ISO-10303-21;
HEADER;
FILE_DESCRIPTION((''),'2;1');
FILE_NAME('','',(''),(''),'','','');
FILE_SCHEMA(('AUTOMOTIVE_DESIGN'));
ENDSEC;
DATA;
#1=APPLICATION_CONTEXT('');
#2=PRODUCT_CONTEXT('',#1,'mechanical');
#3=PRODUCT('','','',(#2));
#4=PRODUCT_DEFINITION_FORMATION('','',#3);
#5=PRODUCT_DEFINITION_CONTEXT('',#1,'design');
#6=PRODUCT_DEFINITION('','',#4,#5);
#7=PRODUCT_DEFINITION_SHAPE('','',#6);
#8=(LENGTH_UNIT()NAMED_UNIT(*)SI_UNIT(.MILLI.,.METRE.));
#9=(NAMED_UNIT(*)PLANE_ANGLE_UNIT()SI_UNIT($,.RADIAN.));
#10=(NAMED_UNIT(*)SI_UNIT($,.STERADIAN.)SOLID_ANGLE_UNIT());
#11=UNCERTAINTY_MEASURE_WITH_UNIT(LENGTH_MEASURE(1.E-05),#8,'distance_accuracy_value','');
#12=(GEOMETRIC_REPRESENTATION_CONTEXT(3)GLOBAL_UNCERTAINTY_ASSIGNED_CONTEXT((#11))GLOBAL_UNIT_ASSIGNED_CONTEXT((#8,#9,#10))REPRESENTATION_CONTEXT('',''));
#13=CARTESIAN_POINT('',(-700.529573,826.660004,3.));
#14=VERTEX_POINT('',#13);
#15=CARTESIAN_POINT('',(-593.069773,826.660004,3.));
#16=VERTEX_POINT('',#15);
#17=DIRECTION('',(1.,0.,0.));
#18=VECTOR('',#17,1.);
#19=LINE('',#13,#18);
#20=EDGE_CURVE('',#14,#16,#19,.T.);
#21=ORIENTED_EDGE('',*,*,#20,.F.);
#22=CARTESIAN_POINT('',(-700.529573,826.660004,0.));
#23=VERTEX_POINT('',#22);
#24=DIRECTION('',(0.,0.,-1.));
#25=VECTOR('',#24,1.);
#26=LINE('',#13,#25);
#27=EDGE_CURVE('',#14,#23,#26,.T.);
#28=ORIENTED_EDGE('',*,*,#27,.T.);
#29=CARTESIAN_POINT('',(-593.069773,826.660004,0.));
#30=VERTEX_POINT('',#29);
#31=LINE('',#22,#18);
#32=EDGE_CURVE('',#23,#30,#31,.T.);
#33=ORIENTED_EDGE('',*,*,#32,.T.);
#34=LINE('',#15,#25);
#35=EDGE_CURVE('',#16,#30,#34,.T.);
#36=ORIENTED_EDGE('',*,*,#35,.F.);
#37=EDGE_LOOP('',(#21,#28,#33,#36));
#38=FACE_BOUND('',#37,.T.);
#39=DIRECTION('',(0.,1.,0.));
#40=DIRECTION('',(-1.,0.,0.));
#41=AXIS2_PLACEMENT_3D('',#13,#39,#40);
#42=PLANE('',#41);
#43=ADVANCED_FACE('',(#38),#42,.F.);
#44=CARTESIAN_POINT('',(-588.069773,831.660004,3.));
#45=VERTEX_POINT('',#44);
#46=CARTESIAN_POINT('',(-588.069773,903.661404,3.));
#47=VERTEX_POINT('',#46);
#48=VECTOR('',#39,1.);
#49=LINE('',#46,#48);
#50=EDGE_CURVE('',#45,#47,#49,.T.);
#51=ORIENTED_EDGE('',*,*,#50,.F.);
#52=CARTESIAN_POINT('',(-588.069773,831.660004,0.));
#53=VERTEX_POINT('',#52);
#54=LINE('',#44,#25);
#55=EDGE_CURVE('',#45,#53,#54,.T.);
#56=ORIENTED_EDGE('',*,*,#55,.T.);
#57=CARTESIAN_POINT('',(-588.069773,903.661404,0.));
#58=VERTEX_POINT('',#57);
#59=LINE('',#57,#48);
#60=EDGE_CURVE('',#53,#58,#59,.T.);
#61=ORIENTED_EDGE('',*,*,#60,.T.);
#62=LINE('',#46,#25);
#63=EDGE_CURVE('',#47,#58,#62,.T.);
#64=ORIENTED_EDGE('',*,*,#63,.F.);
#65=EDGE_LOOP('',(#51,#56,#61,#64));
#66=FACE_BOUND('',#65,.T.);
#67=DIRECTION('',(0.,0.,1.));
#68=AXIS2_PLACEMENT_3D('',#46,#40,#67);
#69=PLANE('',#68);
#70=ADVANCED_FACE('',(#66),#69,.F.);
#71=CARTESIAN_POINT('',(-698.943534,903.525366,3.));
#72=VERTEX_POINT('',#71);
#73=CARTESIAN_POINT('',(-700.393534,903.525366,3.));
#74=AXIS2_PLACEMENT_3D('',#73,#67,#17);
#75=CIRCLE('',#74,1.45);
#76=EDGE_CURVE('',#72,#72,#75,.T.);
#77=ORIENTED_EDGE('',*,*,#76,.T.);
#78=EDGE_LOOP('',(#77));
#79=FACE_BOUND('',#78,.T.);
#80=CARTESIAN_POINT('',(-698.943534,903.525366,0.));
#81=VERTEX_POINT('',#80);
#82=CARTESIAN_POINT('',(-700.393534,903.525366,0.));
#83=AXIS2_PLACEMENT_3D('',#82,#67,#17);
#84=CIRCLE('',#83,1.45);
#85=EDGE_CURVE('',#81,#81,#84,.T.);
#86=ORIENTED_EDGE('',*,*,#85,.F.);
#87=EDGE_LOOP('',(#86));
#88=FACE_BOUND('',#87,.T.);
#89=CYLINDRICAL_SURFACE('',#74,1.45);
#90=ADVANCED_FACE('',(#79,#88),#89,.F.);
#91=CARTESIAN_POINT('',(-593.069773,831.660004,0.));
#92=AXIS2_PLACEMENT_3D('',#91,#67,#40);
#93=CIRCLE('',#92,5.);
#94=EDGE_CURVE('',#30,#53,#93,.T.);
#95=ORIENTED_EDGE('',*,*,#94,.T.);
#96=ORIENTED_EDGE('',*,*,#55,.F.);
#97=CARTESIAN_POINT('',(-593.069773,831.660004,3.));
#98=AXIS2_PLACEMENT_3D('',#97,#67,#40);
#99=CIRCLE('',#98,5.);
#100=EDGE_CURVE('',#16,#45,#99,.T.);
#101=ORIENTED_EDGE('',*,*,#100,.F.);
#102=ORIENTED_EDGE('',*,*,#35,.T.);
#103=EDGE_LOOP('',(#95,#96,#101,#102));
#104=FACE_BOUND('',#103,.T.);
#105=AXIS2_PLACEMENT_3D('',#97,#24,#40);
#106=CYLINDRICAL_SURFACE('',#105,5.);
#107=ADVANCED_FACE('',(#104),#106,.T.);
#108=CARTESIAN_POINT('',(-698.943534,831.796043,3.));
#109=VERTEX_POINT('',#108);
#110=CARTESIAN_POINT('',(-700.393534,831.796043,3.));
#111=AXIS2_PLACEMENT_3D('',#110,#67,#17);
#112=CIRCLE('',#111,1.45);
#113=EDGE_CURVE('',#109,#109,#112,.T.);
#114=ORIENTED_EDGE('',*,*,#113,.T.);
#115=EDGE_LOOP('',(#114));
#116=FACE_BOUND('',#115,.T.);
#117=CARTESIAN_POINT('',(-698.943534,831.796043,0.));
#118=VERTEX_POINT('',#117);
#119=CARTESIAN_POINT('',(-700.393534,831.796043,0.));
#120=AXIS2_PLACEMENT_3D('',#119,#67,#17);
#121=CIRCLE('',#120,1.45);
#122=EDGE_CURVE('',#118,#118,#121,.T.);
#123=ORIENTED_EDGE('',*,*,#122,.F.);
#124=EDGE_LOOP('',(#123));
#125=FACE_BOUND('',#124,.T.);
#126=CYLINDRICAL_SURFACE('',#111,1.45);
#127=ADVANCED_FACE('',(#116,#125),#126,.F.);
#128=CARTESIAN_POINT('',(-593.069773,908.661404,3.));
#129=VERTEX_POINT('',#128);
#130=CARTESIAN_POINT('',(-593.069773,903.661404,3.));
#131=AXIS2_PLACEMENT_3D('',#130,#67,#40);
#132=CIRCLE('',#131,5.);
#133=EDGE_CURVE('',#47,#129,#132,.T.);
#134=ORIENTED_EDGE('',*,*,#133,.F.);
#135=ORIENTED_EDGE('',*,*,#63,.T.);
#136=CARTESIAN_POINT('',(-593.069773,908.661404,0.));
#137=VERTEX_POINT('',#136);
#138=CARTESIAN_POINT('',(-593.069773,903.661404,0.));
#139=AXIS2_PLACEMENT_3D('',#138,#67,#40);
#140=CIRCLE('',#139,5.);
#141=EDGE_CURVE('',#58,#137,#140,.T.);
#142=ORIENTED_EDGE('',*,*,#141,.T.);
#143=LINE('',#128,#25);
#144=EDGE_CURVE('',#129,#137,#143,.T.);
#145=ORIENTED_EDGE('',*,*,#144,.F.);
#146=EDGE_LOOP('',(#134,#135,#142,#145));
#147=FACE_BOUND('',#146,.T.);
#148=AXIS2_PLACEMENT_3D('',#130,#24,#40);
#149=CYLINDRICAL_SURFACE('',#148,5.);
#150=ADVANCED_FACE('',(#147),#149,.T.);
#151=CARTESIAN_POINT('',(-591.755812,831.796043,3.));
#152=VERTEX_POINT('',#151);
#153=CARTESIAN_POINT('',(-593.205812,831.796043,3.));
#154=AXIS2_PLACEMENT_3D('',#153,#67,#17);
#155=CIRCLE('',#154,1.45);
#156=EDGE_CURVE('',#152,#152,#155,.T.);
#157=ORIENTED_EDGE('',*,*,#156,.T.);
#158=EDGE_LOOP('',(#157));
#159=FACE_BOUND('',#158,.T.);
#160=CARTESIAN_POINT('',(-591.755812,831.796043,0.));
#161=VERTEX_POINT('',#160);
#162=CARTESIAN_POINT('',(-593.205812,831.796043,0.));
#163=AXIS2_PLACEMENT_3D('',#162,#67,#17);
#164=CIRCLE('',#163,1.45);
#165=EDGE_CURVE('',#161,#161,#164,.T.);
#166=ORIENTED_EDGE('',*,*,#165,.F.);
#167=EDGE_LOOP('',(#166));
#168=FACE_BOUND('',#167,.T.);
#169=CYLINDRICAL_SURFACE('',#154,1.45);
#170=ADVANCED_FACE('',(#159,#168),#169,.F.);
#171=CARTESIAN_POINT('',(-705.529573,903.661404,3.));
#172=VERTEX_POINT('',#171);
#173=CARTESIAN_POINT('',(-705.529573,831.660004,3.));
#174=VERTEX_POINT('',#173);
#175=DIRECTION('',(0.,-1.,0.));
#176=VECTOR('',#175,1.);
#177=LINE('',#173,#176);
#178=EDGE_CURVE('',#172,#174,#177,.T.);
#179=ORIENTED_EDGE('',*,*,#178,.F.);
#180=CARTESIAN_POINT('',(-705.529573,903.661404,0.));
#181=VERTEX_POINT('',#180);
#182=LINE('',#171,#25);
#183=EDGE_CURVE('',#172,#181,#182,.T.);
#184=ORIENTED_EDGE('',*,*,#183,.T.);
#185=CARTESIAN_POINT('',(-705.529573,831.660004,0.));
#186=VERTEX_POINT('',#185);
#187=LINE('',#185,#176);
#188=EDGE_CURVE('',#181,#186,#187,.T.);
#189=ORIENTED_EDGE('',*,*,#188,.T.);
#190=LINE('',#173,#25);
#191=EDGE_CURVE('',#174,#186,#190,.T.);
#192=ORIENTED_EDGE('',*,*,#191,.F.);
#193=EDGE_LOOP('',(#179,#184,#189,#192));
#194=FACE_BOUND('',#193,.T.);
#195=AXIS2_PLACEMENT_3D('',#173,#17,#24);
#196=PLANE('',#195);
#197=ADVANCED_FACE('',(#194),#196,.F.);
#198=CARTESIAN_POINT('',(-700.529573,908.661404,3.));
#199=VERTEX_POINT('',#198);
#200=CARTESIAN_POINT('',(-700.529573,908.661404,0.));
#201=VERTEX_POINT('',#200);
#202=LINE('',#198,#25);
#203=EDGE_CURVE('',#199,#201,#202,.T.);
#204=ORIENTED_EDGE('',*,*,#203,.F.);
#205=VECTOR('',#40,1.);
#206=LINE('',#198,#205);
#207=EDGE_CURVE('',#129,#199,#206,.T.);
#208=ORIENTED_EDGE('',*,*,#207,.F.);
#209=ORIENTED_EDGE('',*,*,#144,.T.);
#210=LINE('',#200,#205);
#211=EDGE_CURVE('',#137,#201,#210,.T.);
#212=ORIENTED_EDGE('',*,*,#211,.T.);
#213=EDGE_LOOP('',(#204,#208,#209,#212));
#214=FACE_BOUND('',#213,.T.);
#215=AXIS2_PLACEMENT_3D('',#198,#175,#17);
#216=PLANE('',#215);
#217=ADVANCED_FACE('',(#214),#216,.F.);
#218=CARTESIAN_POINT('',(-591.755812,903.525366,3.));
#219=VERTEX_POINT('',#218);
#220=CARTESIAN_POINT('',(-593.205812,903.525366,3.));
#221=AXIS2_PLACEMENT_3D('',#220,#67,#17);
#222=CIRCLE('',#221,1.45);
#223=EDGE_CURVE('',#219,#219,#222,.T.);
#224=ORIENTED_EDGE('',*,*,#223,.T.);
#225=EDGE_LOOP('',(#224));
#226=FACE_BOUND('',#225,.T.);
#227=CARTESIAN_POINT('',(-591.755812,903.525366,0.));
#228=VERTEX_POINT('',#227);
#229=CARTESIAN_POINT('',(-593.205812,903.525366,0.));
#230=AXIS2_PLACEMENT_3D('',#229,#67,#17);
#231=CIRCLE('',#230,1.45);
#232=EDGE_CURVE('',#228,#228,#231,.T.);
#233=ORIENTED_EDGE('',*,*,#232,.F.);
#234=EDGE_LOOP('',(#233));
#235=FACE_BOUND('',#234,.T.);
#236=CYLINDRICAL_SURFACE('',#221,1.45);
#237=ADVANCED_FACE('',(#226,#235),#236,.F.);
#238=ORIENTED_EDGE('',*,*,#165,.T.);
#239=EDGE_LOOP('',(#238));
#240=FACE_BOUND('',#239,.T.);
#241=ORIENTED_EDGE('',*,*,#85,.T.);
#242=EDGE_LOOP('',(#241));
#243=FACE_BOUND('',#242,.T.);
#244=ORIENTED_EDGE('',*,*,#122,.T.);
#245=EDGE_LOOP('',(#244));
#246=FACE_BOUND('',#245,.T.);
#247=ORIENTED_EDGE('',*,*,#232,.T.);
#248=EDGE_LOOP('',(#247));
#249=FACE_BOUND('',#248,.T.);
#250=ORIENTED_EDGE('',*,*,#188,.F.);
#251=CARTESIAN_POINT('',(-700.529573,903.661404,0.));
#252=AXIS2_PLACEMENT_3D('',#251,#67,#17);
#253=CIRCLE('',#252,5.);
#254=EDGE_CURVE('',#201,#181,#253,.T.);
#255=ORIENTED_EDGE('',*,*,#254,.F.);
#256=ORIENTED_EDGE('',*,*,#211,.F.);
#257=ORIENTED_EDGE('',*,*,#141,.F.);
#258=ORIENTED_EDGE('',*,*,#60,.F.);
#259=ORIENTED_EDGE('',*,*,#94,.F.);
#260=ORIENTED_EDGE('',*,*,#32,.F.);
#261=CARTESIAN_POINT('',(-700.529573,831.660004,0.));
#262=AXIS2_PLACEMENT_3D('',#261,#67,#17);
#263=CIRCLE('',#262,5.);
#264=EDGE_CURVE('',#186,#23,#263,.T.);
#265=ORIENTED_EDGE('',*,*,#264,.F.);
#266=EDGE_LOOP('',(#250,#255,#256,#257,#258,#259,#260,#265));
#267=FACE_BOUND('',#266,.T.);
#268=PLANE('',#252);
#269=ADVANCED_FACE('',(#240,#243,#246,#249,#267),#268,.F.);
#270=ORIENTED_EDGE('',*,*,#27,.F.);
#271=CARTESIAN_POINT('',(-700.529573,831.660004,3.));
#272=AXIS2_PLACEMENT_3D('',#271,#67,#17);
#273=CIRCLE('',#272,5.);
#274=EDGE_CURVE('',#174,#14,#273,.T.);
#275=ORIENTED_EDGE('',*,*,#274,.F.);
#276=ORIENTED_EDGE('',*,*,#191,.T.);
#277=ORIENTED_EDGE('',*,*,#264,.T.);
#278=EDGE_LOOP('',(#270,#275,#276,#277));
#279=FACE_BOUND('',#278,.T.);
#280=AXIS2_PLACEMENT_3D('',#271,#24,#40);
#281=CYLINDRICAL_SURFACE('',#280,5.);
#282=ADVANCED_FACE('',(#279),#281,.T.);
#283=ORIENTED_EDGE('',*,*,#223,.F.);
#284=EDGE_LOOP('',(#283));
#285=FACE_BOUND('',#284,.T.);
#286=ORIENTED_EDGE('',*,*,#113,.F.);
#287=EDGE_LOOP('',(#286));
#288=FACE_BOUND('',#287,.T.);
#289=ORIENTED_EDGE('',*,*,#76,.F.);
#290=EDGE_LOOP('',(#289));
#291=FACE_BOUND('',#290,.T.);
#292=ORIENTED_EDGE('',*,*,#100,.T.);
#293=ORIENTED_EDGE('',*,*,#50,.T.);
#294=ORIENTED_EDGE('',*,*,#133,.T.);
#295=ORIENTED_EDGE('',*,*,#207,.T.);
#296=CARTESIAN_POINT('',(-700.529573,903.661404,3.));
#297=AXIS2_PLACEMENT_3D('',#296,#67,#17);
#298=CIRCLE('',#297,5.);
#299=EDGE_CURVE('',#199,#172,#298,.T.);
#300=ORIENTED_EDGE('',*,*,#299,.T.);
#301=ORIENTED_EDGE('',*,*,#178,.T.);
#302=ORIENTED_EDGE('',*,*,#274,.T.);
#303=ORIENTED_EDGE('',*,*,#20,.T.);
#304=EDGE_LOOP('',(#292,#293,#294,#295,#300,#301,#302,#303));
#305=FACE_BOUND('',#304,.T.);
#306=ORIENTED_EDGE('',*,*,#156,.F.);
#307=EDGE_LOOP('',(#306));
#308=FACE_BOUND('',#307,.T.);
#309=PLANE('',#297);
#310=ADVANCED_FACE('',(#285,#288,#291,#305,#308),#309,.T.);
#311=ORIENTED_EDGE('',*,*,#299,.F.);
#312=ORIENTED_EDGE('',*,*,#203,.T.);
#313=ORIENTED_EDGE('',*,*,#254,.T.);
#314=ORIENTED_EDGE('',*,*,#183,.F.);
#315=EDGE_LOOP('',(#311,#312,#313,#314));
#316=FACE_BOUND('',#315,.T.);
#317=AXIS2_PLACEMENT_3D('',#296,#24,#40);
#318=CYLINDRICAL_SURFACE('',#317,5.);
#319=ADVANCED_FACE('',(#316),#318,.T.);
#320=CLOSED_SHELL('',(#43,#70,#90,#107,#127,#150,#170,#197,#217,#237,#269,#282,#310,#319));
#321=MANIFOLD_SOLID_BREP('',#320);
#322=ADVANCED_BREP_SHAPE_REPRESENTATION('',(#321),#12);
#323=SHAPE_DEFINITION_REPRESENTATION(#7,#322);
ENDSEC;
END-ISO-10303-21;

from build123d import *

# Parameters (mm, degrees)
BOSS_EXTRUDE1_DEPTH    = 3
M2_5_CLEARANCE_HOLE1_D = 2.9


with BuildPart() as part:
    # Sketch1 → Boss-Extrude1 (new body)
    with BuildSketch(Plane.XY):
        with BuildLine():
            Line((-700.529573216, 908.661404475), (-593.069773216, 908.661404475))
            ThreePointArc((-593.069773216, 908.661404475), (-589.53423931, 907.19693838), (-588.069773216, 903.661404475))
            Line((-588.069773216, 903.661404475), (-588.069773216, 831.660004475))
            ThreePointArc((-588.069773216, 831.660004475), (-589.53423931, 828.124470569), (-593.069773216, 826.660004475))
            Line((-593.069773216, 826.660004475), (-700.529573216, 826.660004475))
            ThreePointArc((-700.529573216, 826.660004475), (-704.065107121, 828.124470569), (-705.529573216, 831.660004475))
            Line((-705.529573216, 831.660004475), (-705.529573216, 903.661404475))
            ThreePointArc((-705.529573216, 903.661404475), (-704.065107121, 907.19693838), (-700.529573216, 908.661404475))
        make_face()
    extrude(amount=BOSS_EXTRUDE1_DEPTH)

    # M2.5 Clearance Hole1 (through all)
    with Locations(Plane.XY.offset(3)):
        with Locations((-700.393534246, 903.525365505), (-593.205812185, 903.525365505), (-593.205812185, 831.796043444), (-700.393534246, 831.796043444)):
            Hole(M2_5_CLEARANCE_HOLE1_D / 2)


solid = part.part
